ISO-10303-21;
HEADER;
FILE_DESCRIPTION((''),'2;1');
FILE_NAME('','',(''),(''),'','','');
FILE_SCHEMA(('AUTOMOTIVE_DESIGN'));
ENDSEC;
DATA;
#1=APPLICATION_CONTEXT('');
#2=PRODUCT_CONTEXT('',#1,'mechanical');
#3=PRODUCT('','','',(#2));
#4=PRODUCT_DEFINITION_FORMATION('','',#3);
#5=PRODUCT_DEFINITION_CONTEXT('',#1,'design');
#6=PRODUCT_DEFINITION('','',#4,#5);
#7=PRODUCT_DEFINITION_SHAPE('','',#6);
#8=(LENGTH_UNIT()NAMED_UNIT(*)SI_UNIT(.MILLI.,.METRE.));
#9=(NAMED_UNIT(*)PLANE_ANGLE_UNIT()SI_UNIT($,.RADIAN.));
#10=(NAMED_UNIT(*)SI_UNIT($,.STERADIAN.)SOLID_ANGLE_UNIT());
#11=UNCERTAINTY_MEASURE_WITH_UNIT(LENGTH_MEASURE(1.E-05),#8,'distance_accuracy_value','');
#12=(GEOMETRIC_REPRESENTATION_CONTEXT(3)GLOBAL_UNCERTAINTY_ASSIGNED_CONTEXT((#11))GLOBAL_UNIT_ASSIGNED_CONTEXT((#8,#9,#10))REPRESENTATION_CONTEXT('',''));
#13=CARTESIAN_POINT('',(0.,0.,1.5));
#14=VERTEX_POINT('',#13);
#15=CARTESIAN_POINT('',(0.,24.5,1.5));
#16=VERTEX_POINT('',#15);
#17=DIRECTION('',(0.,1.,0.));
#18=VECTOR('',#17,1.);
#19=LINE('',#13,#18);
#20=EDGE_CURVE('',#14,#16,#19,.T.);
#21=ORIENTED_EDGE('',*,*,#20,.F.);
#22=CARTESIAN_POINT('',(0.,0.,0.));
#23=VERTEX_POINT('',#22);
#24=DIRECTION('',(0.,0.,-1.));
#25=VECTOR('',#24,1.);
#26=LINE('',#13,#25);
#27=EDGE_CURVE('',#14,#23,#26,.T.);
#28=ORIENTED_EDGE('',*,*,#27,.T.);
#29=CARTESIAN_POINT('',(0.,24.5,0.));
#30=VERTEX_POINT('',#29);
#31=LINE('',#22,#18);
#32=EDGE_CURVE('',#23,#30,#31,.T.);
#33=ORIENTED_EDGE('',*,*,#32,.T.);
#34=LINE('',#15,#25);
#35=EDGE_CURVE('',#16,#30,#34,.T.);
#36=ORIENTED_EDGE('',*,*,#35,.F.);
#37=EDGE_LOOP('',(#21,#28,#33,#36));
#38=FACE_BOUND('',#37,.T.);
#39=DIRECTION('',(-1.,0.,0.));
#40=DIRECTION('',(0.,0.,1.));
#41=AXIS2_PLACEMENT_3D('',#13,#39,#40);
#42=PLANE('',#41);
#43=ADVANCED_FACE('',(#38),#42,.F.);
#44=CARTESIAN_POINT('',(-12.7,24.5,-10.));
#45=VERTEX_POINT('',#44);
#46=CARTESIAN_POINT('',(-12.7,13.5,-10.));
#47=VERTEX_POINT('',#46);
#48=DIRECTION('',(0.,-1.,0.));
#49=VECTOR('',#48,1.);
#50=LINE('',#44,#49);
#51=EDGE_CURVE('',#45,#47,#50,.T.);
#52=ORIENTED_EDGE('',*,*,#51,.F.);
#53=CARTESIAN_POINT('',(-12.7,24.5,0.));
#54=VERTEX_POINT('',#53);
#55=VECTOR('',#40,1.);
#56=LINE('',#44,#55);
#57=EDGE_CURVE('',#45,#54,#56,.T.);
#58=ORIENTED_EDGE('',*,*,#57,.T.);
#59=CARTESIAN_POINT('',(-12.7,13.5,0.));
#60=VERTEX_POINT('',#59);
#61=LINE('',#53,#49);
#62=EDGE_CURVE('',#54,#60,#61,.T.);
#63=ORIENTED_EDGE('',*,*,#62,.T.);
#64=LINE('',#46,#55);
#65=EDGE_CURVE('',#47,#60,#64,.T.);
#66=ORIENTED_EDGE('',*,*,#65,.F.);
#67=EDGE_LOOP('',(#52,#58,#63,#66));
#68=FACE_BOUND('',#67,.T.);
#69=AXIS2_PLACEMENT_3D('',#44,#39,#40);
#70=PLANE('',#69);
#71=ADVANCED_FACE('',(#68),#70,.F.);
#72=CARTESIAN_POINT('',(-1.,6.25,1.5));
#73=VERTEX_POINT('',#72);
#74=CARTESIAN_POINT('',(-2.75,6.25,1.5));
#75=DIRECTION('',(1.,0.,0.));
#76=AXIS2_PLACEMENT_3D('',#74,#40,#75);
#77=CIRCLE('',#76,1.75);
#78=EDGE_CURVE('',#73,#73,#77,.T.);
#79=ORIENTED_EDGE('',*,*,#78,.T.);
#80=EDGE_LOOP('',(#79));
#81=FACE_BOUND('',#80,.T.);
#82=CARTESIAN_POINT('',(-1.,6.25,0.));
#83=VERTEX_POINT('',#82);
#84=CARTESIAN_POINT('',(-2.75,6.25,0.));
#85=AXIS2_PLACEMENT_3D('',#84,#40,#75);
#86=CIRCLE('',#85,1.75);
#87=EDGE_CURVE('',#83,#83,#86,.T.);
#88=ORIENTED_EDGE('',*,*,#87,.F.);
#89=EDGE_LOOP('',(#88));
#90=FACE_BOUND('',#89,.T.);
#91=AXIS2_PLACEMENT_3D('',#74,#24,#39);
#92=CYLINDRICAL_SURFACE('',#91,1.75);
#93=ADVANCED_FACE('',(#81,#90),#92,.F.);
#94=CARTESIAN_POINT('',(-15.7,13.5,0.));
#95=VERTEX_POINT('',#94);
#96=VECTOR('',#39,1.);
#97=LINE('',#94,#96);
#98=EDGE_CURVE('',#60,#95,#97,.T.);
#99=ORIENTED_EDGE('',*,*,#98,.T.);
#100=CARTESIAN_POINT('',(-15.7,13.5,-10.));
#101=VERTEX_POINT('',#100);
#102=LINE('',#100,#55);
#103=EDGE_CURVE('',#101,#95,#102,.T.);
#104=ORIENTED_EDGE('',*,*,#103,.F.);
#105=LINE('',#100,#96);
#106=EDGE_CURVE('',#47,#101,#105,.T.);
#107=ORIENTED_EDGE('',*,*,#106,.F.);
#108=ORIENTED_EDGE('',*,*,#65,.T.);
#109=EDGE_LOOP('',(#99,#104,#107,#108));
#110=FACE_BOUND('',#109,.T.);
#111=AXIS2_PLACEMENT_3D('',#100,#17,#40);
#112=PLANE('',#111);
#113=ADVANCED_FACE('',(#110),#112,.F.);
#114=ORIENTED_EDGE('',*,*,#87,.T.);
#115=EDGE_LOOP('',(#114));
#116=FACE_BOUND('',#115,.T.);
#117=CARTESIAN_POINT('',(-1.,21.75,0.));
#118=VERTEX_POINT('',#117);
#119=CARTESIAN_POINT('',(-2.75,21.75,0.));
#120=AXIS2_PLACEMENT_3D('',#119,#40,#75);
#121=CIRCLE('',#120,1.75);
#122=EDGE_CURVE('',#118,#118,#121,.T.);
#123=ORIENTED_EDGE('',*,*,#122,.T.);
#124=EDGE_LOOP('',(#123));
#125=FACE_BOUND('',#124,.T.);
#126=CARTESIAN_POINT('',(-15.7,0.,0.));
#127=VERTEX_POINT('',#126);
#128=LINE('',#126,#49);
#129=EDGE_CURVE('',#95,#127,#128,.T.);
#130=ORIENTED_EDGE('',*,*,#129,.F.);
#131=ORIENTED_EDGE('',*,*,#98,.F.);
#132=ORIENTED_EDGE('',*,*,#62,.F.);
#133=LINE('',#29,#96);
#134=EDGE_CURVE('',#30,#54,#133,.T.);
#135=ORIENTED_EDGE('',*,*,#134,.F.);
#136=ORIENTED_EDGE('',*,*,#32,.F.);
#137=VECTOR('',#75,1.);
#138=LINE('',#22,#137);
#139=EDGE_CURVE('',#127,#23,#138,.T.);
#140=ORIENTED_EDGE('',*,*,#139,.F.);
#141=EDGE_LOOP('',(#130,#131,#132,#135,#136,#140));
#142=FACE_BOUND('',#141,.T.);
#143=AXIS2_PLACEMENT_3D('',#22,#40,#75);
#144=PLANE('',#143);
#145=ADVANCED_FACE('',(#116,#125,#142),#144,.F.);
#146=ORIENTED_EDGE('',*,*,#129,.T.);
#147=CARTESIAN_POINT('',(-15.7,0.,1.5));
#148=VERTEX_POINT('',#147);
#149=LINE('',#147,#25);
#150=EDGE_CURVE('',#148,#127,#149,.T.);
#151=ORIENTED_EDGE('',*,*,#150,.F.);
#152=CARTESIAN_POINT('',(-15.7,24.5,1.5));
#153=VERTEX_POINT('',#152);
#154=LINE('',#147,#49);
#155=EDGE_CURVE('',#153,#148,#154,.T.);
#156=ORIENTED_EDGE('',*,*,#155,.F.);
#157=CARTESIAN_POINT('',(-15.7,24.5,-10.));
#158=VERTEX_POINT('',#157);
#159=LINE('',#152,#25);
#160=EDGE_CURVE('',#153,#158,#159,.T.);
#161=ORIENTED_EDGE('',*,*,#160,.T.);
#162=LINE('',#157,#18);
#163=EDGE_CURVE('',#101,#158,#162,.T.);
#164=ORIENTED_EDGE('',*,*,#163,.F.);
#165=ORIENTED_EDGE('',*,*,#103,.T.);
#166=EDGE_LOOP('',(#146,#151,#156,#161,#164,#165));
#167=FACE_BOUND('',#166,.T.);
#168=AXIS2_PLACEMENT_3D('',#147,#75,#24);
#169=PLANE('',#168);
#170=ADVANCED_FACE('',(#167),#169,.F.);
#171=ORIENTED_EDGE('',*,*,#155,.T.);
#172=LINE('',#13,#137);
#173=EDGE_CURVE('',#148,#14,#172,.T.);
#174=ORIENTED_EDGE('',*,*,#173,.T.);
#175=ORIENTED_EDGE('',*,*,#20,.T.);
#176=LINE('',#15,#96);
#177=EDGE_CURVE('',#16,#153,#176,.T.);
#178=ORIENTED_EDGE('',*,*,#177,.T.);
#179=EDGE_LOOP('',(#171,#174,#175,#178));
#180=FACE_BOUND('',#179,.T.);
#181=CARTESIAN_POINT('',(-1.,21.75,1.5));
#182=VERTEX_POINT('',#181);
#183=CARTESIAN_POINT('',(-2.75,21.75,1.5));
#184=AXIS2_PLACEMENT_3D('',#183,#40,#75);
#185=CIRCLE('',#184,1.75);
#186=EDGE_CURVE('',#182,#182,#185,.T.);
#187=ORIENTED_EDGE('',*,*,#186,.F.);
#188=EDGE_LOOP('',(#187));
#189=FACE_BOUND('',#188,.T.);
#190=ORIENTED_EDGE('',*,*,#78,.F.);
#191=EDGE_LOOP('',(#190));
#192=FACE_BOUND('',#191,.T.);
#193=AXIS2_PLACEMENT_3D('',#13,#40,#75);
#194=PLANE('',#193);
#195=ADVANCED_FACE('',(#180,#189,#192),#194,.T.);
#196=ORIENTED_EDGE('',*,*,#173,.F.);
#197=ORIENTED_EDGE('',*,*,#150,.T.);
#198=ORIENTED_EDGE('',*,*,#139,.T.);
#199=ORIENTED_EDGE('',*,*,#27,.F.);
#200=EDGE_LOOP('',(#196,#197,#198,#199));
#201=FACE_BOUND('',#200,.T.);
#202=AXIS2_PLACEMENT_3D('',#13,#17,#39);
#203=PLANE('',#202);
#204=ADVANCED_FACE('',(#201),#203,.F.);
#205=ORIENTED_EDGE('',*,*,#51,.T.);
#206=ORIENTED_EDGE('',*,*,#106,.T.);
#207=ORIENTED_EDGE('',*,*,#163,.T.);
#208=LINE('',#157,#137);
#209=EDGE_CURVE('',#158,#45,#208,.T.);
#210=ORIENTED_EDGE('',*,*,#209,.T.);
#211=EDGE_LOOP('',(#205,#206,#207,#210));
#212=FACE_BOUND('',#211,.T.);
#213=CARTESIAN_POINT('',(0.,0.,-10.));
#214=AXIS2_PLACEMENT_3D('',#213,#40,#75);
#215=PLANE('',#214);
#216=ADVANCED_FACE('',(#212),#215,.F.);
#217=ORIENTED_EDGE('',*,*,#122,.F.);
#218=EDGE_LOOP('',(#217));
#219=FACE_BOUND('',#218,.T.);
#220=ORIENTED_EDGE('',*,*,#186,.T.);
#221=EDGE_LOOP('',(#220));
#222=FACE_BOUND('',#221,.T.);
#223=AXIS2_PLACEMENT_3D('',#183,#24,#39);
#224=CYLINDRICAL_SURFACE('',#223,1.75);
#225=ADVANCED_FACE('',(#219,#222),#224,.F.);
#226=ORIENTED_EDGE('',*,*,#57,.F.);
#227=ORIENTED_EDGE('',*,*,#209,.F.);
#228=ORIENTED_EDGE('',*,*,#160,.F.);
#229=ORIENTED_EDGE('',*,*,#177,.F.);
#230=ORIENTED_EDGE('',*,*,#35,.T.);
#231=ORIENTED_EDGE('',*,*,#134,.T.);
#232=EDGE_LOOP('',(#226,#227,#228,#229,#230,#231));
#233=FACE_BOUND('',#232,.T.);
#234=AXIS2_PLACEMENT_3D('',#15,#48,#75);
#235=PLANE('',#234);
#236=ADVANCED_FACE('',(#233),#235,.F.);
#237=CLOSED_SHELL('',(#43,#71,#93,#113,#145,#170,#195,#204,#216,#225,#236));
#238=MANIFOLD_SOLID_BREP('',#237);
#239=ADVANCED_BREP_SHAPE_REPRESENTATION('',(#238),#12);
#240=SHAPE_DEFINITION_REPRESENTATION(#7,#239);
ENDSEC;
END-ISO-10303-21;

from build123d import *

# Parameters (mm, degrees)
ESQUISSE1_W        = 15.7
ESQUISSE1_H        = 24.5
ESQUISSE1_R        = 1.75
BOSS_EXTRU_1_DEPTH = 1.5
ESQUISSE2_W        = 3
ESQUISSE2_H        = 11
BOSS_EXTRU_2_DEPTH = 10


with BuildPart() as part:
    # Esquisse1 → Boss.-Extru.1 (new body)
    with BuildSketch(Plane.XY):
        with Locations((-7.85, 12.25)):
            Rectangle(ESQUISSE1_W, ESQUISSE1_H)
        with Locations((-2.75, 21.75)):
            Circle(ESQUISSE1_R, mode=Mode.SUBTRACT)
        with Locations((-2.75, 6.25)):
            Circle(ESQUISSE1_R, mode=Mode.SUBTRACT)
    extrude(amount=BOSS_EXTRU_1_DEPTH)

    # Esquisse2 → Boss.-Extru.2 (add)
    with BuildSketch(Plane(origin=(0, 0, 0), x_dir=(-1, 0, 0), z_dir=(0, 0, -1))):
        with Locations((14.2, 19)):
            Rectangle(ESQUISSE2_W, ESQUISSE2_H)
    extrude(amount=BOSS_EXTRU_2_DEPTH)


solid = part.part
